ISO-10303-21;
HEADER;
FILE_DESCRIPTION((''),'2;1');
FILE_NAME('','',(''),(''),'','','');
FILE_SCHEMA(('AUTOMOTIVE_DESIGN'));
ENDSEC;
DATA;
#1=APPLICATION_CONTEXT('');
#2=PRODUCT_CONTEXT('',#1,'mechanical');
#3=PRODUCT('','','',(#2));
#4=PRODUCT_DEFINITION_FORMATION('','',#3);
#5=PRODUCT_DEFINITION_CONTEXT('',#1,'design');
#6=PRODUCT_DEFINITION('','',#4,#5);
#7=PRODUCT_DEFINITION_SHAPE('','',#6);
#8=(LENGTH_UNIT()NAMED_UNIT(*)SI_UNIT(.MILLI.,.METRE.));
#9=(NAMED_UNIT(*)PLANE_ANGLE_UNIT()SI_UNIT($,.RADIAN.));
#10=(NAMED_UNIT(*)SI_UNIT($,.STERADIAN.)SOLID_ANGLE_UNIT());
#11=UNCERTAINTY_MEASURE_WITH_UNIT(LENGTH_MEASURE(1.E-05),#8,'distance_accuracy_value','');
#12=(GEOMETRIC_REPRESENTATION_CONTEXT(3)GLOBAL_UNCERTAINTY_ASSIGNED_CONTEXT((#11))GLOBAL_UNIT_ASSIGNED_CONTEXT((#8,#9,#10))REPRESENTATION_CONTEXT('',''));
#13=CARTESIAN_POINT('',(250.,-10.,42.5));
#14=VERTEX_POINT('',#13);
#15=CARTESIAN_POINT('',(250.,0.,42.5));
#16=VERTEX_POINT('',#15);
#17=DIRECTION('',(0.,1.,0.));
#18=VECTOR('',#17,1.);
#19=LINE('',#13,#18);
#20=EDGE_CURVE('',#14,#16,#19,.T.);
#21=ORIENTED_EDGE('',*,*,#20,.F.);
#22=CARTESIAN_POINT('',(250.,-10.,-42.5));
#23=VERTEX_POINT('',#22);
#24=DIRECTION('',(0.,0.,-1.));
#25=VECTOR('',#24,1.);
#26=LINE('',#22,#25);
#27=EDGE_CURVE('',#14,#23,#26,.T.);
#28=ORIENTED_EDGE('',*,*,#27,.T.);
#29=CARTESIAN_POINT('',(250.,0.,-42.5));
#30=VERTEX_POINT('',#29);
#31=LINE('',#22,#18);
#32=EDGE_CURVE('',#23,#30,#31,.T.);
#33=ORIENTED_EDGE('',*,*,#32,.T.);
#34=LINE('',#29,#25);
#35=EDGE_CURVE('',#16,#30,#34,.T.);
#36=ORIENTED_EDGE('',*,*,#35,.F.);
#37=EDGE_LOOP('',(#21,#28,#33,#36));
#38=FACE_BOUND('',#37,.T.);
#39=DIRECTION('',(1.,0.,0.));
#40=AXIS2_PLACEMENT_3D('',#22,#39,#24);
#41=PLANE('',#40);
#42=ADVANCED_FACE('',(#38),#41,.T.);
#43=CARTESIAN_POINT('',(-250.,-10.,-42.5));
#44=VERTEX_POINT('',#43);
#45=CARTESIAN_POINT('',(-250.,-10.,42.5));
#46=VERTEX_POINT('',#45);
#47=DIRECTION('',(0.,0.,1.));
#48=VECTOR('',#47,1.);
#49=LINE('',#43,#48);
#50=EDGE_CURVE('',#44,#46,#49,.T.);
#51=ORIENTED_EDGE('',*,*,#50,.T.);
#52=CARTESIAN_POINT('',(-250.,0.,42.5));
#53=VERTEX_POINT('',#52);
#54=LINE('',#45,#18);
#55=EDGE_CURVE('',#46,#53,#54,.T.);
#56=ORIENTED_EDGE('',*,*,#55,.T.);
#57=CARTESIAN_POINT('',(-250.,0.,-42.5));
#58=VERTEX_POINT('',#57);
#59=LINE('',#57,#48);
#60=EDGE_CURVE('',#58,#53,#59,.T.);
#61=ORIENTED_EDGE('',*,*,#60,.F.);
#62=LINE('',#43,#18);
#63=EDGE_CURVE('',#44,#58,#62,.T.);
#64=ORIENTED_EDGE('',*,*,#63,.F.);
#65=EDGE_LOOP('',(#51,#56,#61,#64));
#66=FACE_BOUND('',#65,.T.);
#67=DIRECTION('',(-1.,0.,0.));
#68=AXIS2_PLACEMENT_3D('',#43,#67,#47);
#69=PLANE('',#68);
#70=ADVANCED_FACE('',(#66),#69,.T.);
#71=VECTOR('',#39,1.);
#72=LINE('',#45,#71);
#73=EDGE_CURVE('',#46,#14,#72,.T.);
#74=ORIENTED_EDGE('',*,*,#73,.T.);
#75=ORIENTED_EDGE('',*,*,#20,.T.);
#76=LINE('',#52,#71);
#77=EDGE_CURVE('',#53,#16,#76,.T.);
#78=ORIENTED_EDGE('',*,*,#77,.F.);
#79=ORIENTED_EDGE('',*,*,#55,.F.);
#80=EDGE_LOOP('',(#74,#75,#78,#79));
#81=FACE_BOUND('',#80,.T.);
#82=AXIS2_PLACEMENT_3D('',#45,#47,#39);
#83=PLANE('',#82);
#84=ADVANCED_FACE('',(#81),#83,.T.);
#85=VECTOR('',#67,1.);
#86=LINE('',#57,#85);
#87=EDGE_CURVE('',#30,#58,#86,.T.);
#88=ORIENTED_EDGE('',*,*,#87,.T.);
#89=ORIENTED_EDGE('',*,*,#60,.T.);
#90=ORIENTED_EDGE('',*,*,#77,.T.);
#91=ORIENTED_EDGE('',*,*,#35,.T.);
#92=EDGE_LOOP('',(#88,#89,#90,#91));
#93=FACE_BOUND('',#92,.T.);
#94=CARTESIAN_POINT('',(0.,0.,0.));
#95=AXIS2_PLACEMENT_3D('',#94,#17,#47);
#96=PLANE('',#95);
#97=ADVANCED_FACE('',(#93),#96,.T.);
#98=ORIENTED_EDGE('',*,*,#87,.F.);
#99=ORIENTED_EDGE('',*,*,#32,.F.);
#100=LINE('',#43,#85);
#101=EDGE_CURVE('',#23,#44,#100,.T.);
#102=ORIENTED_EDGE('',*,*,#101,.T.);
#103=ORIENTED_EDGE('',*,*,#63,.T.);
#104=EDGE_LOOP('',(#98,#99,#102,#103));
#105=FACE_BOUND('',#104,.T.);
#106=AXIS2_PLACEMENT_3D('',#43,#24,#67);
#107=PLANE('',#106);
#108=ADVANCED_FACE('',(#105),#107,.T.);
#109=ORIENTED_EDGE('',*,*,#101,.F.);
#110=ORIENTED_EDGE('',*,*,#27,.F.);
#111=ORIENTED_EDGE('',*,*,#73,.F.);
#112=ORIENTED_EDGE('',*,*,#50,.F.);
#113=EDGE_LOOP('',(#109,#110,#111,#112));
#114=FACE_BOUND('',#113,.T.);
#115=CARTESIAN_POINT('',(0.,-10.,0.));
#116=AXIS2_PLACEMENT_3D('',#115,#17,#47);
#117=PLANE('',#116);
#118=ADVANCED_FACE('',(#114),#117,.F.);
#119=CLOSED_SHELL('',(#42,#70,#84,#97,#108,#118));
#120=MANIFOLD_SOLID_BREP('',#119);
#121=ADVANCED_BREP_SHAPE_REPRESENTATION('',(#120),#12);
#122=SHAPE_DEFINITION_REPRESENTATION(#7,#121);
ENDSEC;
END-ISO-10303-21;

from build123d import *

# Parameters (mm, degrees)
SKETCH1_W           = 500
SKETCH1_H           = 85
BOSS_EXTRUDE1_DEPTH = 10


with BuildPart() as part:
    # Sketch1 → Boss-Extrude1 (new body)
    with BuildSketch(Plane(origin=(0, 0, 0), x_dir=(1, 0, 0), z_dir=(0, 1, 0))):
        Rectangle(SKETCH1_W, SKETCH1_H)
    extrude(amount=-BOSS_EXTRUDE1_DEPTH)


solid = part.part
